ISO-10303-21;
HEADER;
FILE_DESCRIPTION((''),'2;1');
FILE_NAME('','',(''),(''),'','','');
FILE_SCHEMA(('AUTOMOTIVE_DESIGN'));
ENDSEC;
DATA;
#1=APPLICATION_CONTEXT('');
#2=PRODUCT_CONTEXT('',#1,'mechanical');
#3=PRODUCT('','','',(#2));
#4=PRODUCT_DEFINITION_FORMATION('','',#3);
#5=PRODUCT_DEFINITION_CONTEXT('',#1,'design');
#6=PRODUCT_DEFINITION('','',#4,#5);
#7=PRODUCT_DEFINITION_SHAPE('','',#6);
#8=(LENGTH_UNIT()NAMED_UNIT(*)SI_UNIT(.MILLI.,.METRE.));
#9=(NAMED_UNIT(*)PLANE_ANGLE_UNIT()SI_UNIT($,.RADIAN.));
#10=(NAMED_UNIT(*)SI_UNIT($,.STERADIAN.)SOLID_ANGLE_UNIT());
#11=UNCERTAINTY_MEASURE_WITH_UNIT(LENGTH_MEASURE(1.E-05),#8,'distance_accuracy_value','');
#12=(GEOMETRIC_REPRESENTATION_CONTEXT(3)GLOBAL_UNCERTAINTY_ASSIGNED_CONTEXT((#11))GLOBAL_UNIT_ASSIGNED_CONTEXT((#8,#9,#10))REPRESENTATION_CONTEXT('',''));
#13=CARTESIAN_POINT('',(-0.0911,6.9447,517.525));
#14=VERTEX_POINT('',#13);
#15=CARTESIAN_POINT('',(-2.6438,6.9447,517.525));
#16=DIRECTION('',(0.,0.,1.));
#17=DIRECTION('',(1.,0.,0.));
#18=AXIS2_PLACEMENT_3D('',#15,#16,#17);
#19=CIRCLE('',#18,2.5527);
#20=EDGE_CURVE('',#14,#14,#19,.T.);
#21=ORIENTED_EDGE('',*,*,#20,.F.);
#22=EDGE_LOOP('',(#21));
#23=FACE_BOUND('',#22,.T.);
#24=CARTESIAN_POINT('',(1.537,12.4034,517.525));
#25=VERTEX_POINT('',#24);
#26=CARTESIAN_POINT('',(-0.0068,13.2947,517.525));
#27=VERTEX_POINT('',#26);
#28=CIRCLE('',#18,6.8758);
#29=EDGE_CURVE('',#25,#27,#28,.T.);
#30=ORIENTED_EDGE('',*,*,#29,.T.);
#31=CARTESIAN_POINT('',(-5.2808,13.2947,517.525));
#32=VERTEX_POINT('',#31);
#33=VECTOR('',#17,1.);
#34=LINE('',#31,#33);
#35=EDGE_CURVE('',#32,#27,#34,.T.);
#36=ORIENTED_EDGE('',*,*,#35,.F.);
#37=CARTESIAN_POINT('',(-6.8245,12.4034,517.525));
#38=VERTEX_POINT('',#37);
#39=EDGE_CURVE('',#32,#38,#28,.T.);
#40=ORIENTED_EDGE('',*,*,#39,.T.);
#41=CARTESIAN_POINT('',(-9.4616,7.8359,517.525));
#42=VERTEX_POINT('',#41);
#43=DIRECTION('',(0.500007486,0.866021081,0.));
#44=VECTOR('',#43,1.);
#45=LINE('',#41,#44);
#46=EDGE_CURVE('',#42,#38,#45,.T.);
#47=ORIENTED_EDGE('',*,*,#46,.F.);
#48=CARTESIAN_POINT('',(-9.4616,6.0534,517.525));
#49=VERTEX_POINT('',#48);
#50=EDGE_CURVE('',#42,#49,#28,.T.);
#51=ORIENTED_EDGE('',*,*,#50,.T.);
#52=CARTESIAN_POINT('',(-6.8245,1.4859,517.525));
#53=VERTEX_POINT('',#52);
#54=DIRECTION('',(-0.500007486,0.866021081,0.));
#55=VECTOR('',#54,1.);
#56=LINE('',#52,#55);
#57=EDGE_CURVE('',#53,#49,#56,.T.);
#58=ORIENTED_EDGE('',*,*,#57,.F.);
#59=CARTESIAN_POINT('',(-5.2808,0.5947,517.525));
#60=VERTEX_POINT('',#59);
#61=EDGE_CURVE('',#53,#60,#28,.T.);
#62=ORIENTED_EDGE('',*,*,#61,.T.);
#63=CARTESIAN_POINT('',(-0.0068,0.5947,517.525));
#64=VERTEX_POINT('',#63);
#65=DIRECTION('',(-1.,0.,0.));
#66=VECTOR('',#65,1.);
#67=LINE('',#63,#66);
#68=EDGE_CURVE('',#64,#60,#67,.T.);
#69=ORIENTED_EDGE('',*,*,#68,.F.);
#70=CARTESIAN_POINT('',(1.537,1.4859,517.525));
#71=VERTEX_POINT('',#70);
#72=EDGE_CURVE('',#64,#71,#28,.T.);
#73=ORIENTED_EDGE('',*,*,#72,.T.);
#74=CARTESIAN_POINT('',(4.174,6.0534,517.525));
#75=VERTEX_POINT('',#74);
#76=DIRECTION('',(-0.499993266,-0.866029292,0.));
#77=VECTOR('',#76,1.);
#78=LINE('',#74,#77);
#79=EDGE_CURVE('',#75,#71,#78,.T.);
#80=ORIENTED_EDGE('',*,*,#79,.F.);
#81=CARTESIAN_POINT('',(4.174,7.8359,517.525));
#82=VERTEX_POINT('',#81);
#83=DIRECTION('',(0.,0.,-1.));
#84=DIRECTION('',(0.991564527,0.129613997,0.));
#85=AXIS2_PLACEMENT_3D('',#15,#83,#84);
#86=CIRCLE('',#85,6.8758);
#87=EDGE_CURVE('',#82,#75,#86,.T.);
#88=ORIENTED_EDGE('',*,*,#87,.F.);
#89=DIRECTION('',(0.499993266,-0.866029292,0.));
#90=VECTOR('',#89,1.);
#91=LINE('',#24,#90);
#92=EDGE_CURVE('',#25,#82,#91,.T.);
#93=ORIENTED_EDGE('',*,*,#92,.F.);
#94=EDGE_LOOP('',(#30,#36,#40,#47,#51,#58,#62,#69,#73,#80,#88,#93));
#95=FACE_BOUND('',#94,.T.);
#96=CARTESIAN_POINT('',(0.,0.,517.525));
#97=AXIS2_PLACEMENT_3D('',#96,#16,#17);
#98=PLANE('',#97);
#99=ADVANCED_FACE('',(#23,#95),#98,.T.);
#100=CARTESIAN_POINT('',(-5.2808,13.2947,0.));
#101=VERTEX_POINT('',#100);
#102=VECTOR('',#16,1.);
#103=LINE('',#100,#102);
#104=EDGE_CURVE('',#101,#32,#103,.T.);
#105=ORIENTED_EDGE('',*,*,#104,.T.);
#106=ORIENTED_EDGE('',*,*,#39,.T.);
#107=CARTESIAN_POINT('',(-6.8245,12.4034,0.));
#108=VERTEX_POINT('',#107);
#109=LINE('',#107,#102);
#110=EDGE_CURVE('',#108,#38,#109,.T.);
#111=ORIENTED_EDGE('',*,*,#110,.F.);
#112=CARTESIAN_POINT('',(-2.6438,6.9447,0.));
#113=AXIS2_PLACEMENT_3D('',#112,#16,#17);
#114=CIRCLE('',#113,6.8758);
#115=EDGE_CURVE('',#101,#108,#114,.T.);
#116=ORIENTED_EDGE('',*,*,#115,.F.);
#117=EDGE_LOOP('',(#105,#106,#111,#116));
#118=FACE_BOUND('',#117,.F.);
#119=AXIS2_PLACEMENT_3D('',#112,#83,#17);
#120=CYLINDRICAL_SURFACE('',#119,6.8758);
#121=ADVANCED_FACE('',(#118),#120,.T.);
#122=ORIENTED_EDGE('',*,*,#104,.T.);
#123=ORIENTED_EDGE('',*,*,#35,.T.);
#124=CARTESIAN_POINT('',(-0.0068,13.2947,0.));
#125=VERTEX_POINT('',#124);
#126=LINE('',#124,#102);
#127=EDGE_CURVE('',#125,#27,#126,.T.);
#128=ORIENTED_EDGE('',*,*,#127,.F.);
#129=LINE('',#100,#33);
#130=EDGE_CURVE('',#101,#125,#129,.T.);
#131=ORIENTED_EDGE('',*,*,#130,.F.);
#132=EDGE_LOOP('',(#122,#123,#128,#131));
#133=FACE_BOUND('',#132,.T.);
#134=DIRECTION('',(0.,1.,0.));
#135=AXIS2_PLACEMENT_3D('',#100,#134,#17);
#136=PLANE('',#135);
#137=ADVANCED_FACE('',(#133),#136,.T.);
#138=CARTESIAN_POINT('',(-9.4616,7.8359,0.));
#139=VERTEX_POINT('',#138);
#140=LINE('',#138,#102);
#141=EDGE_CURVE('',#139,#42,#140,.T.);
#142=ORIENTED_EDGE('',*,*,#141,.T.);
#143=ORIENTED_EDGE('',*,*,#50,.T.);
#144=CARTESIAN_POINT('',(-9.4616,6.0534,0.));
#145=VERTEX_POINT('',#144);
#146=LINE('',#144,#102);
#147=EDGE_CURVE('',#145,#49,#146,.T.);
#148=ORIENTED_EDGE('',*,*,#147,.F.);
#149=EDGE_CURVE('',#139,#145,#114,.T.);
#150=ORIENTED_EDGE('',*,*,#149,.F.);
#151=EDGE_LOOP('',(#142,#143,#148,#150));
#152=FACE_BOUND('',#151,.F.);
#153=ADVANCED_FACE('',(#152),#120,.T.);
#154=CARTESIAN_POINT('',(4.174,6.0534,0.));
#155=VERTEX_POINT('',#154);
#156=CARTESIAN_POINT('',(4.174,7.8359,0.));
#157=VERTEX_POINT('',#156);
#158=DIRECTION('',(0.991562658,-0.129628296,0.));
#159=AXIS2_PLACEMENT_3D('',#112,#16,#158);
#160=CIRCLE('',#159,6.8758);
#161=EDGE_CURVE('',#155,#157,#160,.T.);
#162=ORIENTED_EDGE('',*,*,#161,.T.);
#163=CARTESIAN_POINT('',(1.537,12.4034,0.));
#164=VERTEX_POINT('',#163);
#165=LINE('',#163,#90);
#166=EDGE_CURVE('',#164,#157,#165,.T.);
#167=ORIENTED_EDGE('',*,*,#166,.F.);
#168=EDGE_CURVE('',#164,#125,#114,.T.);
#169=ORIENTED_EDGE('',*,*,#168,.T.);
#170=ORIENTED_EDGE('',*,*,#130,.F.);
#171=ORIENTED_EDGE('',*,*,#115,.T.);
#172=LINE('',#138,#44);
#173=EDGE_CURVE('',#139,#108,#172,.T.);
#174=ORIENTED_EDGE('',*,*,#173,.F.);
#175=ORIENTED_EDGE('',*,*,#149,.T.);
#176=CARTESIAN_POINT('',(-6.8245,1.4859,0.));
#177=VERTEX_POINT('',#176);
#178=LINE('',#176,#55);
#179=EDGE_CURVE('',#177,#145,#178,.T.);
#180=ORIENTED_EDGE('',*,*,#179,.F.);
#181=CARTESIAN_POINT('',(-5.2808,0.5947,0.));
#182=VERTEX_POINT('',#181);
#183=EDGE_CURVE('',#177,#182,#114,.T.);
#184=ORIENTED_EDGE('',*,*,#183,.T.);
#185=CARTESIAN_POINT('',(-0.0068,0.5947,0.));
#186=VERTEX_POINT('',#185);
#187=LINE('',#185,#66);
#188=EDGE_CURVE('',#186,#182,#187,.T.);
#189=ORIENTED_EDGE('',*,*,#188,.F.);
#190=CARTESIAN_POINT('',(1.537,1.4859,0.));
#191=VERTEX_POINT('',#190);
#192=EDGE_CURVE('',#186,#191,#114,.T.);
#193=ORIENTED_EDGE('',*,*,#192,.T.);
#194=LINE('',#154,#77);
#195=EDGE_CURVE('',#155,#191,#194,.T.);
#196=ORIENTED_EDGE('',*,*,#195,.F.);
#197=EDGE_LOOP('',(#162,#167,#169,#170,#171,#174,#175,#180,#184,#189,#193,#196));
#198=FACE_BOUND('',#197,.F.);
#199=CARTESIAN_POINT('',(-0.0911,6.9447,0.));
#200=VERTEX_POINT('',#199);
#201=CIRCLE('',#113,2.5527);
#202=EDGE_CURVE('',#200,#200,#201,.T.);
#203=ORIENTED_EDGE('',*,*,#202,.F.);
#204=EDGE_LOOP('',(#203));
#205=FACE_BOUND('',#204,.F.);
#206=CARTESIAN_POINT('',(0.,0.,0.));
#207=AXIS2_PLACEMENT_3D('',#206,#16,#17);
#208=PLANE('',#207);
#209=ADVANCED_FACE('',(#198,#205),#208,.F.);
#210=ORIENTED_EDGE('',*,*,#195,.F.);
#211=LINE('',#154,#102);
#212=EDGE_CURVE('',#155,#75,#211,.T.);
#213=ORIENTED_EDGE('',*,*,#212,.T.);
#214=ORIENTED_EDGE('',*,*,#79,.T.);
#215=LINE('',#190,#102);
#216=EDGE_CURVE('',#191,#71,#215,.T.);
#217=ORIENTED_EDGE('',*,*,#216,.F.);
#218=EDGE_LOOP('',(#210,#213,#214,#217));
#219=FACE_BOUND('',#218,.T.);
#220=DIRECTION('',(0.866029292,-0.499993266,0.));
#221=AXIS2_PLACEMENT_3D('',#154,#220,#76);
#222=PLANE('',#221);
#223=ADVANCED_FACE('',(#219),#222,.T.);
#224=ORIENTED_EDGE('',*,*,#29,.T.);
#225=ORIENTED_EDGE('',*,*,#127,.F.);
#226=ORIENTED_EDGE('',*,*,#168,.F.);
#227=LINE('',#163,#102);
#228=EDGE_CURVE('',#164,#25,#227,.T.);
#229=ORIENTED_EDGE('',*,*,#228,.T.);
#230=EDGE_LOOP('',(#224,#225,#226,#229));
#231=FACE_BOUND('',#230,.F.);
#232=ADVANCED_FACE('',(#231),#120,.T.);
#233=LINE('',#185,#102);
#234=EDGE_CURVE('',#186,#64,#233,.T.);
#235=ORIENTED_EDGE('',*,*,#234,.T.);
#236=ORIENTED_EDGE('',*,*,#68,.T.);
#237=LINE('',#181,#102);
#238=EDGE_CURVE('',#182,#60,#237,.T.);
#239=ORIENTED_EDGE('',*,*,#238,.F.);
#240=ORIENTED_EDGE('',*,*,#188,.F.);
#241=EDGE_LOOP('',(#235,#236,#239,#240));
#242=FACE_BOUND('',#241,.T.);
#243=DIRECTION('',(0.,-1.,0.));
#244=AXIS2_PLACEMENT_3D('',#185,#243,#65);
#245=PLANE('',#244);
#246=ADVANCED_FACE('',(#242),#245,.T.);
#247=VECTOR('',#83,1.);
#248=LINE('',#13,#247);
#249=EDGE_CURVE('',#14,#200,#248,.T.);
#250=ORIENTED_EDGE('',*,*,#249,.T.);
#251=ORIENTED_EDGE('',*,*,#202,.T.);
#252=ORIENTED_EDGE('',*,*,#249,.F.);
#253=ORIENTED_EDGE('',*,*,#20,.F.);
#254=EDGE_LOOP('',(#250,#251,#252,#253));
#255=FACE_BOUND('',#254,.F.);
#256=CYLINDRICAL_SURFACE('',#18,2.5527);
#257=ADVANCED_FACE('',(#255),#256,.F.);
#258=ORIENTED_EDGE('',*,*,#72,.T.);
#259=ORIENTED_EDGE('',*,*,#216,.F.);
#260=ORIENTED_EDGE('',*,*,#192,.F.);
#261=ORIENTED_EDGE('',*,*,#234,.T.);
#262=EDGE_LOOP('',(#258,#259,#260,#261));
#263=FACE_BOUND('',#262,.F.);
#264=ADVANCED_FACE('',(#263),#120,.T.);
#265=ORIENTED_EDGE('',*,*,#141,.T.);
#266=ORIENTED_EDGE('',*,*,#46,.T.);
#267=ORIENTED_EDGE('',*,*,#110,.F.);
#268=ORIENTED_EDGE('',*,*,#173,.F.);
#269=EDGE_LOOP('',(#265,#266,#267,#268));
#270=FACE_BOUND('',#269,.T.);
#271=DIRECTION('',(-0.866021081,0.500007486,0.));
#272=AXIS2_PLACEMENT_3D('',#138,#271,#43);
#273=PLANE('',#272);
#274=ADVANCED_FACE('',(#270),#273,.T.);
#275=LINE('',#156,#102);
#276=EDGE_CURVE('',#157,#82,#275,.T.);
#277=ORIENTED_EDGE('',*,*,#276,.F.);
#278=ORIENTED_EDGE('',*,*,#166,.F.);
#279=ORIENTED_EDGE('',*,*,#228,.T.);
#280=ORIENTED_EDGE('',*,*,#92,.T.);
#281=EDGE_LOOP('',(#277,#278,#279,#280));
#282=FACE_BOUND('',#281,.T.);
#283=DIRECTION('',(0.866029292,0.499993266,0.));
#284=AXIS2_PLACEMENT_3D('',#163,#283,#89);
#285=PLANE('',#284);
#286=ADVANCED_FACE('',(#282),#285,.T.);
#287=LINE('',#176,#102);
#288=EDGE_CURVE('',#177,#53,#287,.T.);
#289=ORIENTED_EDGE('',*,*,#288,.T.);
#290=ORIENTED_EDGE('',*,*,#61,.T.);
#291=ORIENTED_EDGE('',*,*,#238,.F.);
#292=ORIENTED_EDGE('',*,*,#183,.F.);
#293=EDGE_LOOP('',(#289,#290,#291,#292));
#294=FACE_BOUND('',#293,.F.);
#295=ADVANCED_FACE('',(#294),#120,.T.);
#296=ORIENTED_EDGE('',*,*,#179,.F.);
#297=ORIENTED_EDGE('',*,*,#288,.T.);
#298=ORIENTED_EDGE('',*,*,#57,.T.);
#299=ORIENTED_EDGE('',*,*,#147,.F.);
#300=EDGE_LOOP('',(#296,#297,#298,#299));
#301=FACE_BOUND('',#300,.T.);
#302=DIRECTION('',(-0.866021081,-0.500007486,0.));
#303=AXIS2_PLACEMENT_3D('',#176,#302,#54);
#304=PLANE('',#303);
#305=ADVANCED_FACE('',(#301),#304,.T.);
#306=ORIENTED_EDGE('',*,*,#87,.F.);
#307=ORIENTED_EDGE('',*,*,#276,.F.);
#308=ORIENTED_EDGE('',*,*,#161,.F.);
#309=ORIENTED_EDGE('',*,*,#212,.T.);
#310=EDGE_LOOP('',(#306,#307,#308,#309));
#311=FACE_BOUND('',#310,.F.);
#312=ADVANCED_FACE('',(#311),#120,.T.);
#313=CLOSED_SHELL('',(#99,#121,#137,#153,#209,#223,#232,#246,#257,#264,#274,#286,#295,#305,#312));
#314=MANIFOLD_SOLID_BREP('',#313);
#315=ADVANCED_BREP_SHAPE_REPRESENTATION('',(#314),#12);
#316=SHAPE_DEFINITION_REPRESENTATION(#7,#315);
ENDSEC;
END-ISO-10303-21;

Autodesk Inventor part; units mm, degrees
ref_plane "YZ Plane" through (0, 0, 0) normal (1, 0, 0) x (0, 1, 0)
ref_plane "XZ Plane" through (0, 0, 0) normal (0, 1, 0) x (-1, 0, 0)
ref_plane "XY Plane" through (0, 0, 0) normal (0, 0, 1) x (1, 0, 0)
sketch "Sketch1" plane through (0, 0, 0) normal (0, 0, 1) x (1, 0, 0)
  circle A0 centre (-2.6438, 6.9447) radius 6.8758
  line L0 (-9.4616, 7.8359) -> (-6.8245, 12.4034)
  line L1 (-6.8245, 1.4859) -> (-9.4616, 6.0534)
  line L2 (-0.0068, 0.5947) -> (-5.2808, 0.5947)
  line L3 (4.174, 6.0534) -> (1.537, 1.4859)
  line L4 (1.537, 12.4034) -> (4.174, 7.8359)
  line L5 (-5.2808, 13.2947) -> (-0.0068, 13.2947)
  point P0 (0, 0)
  point P1 (1.537, 1.4859)
  dimension "d0" = 13.7516
  dimension "d4" = 360
extrude "Extrusion1" add sketch "Sketch1" along normal blind 517.525 contours A0 L3 L2 L1 L0 L5 L4
sketch "Sketch2" plane through (0, 0, 517.525) normal (0, 0, 1) x (1, 0, 0)
  circle A0 centre (-2.6438, 6.9447) radius 2.5527
  line L0 (-5.2808, 0.5947) -> (-0.0068, 0.5947) projected
  line L1 (-2.6438, 6.9447) -> (-5.2808, 0.5947) construction
  line L2 (-2.6438, 6.9447) -> (-0.0068, 0.5947) construction
  point P0 (0, 0)
  dimension "d8" = 5.1054
  dimension "d9" = 6.35
extrude "Extrusion2" cut sketch "Sketch2" against normal blind 517.525
equation "\"d6\" = d5"
equation "\"d10\" = d5"
equation "\"d5\" = 517.525"
properties part number "AIntakeWheelShaft" material "Aluminum 6061"
